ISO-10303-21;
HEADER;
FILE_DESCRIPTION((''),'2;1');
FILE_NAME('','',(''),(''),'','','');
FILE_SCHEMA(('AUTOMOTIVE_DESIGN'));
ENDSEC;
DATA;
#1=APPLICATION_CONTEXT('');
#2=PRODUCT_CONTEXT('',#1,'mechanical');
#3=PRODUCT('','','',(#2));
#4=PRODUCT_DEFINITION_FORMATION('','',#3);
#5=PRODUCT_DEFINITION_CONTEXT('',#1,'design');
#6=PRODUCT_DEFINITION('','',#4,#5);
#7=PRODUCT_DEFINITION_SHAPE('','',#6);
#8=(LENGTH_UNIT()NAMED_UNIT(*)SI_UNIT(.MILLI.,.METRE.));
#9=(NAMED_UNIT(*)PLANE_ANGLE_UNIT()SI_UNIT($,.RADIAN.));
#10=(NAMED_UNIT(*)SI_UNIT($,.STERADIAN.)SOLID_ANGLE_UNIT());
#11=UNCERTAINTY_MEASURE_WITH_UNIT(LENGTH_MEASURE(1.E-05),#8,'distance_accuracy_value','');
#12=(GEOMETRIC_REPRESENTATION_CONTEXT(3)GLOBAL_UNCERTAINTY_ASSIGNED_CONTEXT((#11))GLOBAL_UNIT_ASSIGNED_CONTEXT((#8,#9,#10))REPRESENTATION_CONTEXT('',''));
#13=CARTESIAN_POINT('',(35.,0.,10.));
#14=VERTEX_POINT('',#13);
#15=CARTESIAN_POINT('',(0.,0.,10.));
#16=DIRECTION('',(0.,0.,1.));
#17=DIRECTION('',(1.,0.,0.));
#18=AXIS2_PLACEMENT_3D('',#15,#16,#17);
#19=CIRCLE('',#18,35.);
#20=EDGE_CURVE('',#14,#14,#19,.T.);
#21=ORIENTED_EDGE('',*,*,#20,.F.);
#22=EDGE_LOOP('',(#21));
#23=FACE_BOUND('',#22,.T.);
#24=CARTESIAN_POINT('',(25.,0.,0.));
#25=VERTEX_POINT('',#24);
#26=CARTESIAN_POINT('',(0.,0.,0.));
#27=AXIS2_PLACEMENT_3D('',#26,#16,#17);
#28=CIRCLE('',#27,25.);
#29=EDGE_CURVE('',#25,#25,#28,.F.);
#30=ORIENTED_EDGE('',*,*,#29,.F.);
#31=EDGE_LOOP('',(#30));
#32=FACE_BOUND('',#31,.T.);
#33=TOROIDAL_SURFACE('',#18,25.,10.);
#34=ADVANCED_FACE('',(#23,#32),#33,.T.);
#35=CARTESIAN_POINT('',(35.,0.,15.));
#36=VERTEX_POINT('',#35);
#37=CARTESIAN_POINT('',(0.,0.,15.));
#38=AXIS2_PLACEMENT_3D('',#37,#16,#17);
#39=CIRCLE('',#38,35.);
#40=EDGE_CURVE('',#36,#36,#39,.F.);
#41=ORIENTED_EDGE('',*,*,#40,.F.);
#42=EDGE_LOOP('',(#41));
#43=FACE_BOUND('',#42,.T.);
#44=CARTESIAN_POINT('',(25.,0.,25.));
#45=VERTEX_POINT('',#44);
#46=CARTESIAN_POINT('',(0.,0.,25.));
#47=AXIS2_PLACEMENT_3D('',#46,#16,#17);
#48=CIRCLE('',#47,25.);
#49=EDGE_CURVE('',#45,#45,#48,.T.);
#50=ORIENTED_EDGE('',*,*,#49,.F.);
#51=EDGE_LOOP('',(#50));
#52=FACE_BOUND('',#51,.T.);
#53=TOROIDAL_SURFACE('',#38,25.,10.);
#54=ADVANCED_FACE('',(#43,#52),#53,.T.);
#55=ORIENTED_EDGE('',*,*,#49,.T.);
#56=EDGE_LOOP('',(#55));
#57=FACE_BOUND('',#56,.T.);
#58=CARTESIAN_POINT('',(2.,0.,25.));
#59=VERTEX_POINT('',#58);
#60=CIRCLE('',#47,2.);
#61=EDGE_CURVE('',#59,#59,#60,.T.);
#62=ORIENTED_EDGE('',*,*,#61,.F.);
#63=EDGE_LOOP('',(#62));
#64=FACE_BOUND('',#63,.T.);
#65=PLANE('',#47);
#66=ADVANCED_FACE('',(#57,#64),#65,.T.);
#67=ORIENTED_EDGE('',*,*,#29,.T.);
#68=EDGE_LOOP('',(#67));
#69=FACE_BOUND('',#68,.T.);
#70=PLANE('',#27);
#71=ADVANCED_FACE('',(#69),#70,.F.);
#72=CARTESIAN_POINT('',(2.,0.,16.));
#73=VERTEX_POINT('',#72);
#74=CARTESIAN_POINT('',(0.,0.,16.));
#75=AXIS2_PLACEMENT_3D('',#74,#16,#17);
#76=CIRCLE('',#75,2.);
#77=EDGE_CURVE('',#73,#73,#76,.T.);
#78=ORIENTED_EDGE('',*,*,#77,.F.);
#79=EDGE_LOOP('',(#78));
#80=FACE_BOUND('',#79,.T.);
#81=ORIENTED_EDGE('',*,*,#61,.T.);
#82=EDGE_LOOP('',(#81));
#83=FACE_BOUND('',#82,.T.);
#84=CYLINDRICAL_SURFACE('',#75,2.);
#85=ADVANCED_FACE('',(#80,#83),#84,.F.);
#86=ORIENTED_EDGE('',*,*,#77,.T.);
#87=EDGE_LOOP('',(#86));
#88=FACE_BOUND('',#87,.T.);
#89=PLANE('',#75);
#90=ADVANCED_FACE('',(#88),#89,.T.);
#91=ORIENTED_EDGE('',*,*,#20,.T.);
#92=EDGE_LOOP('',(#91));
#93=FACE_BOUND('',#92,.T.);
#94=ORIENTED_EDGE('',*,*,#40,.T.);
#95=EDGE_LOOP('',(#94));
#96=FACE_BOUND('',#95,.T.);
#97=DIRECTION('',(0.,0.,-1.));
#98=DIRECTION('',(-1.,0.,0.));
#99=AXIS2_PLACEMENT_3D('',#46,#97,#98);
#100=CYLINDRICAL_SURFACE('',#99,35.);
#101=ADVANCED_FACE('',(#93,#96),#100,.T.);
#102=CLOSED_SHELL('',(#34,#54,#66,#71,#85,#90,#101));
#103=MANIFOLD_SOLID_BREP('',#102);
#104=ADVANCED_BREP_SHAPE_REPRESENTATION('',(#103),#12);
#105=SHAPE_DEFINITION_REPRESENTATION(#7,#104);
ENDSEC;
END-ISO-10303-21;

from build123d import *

# Parameters (mm, degrees)
IZIM1_R                     = 35
Y_KSEKLIK_EKSTR_ZYON1_DEPTH = 25
IZIM2_R                     = 2
KES_EKSTR_ZYON1_DEPTH       = 9
RADYUS1_R                   = 10
RADYUS2_R                   = 10


with BuildPart() as part:
    # Çizim1 → Yükseklik-Ekstrüzyon1 (new body)
    with BuildSketch(Plane.XY):
        Circle(IZIM1_R)
    extrude(amount=Y_KSEKLIK_EKSTR_ZYON1_DEPTH)

    # Çizim2 → Kes-Ekstrüzyon1 (cut)
    with BuildSketch(Plane.XY.offset(25)):
        Circle(IZIM2_R)
    extrude(amount=-KES_EKSTR_ZYON1_DEPTH, mode=Mode.SUBTRACT)

    # Radyus1
    radyus1_edges = [part.edges().sort_by_distance(p)[0] for p in [
        (-35, 0, 0),
    ]]
    fillet(radyus1_edges, radius=RADYUS1_R)

    # Radyus2
    radyus2_edges = [part.edges().sort_by_distance(p)[0] for p in [
        (-35, 0, 25),
    ]]
    fillet(radyus2_edges, radius=RADYUS2_R)


solid = part.part
